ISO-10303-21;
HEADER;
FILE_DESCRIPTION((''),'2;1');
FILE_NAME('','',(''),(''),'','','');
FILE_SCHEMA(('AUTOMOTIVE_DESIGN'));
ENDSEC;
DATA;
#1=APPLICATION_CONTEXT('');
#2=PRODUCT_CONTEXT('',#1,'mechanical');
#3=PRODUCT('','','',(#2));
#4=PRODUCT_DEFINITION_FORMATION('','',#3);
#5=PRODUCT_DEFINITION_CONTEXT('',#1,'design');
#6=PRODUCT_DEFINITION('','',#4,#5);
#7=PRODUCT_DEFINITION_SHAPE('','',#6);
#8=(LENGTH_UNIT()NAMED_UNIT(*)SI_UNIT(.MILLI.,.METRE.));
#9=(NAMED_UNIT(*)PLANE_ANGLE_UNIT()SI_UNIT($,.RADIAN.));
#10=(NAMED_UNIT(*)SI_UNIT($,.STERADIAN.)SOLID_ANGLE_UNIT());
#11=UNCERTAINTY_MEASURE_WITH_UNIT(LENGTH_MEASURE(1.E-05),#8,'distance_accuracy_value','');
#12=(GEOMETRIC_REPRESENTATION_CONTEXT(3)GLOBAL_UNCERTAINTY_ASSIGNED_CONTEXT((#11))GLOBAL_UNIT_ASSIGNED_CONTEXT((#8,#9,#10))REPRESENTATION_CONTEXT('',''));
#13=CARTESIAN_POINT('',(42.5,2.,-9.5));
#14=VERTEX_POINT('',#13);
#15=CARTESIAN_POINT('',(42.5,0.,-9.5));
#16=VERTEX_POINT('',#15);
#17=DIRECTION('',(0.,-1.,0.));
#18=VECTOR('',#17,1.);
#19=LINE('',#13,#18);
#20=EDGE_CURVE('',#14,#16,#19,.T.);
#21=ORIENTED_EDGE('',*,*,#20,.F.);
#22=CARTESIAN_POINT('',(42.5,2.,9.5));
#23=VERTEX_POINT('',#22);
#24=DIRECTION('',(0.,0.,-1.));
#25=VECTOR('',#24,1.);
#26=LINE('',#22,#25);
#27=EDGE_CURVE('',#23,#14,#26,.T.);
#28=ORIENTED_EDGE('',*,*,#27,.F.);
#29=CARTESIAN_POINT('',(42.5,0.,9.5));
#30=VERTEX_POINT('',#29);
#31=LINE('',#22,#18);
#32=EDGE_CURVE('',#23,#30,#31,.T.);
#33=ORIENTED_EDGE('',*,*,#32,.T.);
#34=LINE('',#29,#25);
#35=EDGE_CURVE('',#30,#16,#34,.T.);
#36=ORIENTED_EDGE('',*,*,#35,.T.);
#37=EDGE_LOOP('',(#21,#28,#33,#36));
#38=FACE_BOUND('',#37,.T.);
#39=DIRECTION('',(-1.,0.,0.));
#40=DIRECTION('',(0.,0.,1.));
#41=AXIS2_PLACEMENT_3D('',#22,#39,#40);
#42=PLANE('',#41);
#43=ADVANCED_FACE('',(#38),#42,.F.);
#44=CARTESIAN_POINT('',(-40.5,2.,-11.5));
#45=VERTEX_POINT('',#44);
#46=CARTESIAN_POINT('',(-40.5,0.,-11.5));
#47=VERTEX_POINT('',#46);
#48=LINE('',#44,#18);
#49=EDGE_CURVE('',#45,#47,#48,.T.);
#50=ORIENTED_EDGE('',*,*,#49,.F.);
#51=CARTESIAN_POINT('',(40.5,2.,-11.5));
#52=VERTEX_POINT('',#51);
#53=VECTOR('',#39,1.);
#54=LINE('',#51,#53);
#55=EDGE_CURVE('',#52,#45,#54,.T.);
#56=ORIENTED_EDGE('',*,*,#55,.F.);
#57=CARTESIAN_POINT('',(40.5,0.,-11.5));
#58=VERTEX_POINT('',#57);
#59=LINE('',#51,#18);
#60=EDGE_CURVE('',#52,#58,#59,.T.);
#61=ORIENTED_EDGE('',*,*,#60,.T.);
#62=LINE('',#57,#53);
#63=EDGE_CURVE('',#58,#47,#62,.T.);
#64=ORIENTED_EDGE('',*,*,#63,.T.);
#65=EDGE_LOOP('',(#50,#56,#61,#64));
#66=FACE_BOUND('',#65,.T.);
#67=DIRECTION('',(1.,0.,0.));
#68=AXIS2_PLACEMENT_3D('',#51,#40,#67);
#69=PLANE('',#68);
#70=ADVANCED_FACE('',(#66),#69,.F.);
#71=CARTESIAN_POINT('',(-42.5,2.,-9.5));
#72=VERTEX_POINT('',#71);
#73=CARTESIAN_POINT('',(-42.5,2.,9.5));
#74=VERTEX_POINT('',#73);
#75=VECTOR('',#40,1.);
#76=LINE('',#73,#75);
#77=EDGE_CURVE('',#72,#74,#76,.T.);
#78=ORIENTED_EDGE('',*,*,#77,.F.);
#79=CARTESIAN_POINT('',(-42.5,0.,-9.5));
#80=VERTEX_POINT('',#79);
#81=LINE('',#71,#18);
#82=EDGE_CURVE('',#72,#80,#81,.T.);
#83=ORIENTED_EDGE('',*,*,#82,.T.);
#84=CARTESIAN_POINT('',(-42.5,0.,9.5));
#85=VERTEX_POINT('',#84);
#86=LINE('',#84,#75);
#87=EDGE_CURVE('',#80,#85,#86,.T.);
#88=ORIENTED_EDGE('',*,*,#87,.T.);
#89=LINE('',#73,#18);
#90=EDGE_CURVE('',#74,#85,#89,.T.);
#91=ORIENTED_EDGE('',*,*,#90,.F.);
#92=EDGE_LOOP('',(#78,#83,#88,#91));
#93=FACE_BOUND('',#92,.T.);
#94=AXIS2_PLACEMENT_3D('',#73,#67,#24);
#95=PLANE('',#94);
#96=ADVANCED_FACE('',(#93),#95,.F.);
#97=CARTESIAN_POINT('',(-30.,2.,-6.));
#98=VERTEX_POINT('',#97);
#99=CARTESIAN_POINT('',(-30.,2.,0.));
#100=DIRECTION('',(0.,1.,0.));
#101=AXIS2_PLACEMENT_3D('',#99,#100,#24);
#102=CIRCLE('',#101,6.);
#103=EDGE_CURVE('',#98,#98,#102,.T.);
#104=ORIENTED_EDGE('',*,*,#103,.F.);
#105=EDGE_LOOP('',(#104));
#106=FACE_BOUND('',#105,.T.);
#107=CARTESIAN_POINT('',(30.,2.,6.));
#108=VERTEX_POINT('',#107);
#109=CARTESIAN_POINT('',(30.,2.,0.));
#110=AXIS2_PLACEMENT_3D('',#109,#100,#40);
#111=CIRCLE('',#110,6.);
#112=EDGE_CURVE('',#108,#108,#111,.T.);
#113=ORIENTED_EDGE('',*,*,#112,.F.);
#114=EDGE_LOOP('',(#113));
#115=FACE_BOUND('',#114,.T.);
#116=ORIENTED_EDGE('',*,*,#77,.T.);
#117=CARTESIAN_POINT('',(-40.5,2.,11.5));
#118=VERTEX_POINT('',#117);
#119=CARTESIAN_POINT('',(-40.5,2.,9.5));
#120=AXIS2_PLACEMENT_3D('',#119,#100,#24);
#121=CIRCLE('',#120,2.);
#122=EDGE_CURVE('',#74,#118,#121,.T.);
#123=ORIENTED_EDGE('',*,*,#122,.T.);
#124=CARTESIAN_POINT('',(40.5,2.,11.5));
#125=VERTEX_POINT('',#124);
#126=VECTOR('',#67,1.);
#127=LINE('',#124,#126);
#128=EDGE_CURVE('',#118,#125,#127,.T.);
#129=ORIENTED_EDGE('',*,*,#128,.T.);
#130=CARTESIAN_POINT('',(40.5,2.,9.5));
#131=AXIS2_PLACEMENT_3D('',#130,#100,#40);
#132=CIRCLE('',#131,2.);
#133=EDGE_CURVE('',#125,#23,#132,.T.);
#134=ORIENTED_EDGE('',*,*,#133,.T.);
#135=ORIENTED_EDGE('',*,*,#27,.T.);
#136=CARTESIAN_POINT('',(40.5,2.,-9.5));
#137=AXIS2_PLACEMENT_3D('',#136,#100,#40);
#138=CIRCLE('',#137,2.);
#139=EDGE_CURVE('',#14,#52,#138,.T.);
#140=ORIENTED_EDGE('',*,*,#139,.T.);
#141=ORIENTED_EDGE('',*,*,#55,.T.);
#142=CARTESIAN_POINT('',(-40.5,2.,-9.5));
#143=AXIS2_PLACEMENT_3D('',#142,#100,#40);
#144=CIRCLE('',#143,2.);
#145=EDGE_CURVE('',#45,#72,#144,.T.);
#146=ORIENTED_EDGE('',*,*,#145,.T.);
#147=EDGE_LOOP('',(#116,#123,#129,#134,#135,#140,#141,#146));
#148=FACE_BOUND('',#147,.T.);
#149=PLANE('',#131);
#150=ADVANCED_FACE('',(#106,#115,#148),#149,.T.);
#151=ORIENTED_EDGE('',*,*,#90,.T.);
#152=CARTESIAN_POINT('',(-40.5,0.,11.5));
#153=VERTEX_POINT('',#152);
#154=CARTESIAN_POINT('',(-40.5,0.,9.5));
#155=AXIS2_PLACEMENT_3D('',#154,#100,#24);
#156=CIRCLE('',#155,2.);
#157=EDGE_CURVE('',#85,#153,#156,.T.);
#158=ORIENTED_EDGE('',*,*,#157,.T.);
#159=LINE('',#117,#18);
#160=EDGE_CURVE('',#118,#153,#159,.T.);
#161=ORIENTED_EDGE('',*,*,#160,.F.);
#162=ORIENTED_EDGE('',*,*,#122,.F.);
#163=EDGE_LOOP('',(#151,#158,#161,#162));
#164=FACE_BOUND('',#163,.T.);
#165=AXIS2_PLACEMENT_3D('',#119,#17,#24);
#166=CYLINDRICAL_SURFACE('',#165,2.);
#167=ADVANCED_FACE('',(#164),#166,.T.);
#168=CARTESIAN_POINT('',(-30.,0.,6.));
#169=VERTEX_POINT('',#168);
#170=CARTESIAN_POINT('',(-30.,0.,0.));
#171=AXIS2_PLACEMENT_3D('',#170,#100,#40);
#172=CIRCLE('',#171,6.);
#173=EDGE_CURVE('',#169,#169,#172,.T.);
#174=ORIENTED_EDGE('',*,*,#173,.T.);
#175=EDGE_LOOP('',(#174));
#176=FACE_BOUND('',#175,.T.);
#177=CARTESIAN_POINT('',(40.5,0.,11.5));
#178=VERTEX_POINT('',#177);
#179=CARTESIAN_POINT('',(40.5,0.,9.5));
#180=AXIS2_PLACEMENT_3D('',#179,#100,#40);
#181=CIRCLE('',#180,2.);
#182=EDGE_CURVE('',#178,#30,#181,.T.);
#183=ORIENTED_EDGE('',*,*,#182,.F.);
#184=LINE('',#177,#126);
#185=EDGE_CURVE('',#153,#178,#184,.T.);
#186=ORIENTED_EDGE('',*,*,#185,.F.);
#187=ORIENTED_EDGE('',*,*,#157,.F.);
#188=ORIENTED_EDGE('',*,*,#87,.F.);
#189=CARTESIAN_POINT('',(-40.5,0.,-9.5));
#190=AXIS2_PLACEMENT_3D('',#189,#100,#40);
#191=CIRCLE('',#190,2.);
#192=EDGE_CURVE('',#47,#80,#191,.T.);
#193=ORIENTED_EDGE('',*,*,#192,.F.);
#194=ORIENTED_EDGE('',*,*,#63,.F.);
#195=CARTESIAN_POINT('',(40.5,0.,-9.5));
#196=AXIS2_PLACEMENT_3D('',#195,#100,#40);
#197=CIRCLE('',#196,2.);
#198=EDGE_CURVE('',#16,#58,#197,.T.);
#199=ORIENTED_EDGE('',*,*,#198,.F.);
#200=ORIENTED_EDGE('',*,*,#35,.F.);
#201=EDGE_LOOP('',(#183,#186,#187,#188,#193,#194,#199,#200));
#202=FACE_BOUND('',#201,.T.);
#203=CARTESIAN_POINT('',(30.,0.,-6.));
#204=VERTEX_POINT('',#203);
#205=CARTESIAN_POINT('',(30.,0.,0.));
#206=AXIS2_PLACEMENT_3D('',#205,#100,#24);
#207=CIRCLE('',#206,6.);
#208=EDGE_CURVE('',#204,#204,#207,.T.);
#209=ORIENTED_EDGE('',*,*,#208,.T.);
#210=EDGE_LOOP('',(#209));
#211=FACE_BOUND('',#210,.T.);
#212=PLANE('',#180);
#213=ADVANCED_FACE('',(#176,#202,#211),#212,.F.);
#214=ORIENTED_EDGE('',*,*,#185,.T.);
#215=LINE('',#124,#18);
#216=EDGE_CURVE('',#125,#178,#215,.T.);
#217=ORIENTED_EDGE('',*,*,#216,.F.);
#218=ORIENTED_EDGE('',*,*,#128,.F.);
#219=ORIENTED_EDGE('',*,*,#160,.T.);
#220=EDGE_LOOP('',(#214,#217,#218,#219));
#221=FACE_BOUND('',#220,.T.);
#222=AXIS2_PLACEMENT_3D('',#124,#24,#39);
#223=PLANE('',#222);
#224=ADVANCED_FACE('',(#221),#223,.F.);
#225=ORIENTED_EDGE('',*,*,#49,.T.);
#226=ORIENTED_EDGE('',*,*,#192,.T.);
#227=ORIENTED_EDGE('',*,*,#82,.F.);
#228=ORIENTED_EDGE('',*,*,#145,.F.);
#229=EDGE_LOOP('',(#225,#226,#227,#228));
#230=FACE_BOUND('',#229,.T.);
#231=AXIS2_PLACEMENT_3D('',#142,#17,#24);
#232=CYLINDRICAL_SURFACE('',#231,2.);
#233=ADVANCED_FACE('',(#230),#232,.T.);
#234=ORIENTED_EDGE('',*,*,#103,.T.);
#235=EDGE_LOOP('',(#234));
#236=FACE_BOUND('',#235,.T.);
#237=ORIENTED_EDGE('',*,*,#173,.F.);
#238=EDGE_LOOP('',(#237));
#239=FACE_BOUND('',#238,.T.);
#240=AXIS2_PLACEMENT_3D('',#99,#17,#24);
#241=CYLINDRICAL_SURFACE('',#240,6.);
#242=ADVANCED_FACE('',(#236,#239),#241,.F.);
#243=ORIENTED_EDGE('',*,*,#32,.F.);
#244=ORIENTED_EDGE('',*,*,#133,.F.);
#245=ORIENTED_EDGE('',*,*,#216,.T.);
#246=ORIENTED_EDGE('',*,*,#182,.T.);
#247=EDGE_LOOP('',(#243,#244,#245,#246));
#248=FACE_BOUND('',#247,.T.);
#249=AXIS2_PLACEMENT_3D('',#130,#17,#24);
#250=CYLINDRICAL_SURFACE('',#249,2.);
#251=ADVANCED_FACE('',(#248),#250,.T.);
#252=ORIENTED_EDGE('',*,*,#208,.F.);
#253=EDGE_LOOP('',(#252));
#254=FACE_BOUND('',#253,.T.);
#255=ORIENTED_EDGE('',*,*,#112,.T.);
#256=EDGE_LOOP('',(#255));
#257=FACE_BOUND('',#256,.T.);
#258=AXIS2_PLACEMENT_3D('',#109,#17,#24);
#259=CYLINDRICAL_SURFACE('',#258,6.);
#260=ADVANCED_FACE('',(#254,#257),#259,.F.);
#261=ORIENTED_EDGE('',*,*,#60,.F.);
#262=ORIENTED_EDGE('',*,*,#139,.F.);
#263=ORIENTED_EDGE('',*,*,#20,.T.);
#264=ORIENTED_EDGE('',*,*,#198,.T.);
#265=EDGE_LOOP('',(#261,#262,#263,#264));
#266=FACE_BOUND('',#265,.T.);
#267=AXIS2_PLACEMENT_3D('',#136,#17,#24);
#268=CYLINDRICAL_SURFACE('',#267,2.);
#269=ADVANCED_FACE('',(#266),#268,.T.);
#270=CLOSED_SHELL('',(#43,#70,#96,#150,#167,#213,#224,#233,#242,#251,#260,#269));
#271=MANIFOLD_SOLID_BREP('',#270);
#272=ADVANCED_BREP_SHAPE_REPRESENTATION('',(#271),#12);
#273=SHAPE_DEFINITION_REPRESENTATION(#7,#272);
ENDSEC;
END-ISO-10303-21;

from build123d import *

# Parameters (mm, degrees)
EXTRUDE_1_DEPTH = 2


with BuildPart() as part:
    # Эскиз1 → Бобышка-Вытянуть1 (new body)
    with BuildSketch(Plane(origin=(0, 0, 0), x_dir=(1, 0, 0), z_dir=(0, 1, 0))):
        with BuildLine():
            Line((40.5, -11.5), (-40.5, -11.5))
            ThreePointArc((-40.5, -11.5), (-41.914213562, -10.914213562), (-42.5, -9.5))
            Line((-42.5, -9.5), (-42.5, 9.5))
            ThreePointArc((-42.5, 9.5), (-41.914213562, 10.914213562), (-40.5, 11.5))
            Line((-40.5, 11.5), (40.5, 11.5))
            ThreePointArc((40.5, 11.5), (41.914213562, 10.914213562), (42.5, 9.5))
            Line((42.5, 9.5), (42.5, -9.5))
            ThreePointArc((42.5, -9.5), (41.914213562, -10.914213562), (40.5, -11.5))
        make_face()
        with BuildLine():
            ThreePointArc((-30, 6), (-36, 0), (-30, -6))
            ThreePointArc((-30, -6), (-24, 0), (-30, 6))
        make_face(mode=Mode.SUBTRACT)
        with BuildLine():
            ThreePointArc((30, 6), (36, 0), (30, -6))
            ThreePointArc((30, -6), (24, 0), (30, 6))
        make_face(mode=Mode.SUBTRACT)
    extrude(amount=EXTRUDE_1_DEPTH)


solid = part.part
